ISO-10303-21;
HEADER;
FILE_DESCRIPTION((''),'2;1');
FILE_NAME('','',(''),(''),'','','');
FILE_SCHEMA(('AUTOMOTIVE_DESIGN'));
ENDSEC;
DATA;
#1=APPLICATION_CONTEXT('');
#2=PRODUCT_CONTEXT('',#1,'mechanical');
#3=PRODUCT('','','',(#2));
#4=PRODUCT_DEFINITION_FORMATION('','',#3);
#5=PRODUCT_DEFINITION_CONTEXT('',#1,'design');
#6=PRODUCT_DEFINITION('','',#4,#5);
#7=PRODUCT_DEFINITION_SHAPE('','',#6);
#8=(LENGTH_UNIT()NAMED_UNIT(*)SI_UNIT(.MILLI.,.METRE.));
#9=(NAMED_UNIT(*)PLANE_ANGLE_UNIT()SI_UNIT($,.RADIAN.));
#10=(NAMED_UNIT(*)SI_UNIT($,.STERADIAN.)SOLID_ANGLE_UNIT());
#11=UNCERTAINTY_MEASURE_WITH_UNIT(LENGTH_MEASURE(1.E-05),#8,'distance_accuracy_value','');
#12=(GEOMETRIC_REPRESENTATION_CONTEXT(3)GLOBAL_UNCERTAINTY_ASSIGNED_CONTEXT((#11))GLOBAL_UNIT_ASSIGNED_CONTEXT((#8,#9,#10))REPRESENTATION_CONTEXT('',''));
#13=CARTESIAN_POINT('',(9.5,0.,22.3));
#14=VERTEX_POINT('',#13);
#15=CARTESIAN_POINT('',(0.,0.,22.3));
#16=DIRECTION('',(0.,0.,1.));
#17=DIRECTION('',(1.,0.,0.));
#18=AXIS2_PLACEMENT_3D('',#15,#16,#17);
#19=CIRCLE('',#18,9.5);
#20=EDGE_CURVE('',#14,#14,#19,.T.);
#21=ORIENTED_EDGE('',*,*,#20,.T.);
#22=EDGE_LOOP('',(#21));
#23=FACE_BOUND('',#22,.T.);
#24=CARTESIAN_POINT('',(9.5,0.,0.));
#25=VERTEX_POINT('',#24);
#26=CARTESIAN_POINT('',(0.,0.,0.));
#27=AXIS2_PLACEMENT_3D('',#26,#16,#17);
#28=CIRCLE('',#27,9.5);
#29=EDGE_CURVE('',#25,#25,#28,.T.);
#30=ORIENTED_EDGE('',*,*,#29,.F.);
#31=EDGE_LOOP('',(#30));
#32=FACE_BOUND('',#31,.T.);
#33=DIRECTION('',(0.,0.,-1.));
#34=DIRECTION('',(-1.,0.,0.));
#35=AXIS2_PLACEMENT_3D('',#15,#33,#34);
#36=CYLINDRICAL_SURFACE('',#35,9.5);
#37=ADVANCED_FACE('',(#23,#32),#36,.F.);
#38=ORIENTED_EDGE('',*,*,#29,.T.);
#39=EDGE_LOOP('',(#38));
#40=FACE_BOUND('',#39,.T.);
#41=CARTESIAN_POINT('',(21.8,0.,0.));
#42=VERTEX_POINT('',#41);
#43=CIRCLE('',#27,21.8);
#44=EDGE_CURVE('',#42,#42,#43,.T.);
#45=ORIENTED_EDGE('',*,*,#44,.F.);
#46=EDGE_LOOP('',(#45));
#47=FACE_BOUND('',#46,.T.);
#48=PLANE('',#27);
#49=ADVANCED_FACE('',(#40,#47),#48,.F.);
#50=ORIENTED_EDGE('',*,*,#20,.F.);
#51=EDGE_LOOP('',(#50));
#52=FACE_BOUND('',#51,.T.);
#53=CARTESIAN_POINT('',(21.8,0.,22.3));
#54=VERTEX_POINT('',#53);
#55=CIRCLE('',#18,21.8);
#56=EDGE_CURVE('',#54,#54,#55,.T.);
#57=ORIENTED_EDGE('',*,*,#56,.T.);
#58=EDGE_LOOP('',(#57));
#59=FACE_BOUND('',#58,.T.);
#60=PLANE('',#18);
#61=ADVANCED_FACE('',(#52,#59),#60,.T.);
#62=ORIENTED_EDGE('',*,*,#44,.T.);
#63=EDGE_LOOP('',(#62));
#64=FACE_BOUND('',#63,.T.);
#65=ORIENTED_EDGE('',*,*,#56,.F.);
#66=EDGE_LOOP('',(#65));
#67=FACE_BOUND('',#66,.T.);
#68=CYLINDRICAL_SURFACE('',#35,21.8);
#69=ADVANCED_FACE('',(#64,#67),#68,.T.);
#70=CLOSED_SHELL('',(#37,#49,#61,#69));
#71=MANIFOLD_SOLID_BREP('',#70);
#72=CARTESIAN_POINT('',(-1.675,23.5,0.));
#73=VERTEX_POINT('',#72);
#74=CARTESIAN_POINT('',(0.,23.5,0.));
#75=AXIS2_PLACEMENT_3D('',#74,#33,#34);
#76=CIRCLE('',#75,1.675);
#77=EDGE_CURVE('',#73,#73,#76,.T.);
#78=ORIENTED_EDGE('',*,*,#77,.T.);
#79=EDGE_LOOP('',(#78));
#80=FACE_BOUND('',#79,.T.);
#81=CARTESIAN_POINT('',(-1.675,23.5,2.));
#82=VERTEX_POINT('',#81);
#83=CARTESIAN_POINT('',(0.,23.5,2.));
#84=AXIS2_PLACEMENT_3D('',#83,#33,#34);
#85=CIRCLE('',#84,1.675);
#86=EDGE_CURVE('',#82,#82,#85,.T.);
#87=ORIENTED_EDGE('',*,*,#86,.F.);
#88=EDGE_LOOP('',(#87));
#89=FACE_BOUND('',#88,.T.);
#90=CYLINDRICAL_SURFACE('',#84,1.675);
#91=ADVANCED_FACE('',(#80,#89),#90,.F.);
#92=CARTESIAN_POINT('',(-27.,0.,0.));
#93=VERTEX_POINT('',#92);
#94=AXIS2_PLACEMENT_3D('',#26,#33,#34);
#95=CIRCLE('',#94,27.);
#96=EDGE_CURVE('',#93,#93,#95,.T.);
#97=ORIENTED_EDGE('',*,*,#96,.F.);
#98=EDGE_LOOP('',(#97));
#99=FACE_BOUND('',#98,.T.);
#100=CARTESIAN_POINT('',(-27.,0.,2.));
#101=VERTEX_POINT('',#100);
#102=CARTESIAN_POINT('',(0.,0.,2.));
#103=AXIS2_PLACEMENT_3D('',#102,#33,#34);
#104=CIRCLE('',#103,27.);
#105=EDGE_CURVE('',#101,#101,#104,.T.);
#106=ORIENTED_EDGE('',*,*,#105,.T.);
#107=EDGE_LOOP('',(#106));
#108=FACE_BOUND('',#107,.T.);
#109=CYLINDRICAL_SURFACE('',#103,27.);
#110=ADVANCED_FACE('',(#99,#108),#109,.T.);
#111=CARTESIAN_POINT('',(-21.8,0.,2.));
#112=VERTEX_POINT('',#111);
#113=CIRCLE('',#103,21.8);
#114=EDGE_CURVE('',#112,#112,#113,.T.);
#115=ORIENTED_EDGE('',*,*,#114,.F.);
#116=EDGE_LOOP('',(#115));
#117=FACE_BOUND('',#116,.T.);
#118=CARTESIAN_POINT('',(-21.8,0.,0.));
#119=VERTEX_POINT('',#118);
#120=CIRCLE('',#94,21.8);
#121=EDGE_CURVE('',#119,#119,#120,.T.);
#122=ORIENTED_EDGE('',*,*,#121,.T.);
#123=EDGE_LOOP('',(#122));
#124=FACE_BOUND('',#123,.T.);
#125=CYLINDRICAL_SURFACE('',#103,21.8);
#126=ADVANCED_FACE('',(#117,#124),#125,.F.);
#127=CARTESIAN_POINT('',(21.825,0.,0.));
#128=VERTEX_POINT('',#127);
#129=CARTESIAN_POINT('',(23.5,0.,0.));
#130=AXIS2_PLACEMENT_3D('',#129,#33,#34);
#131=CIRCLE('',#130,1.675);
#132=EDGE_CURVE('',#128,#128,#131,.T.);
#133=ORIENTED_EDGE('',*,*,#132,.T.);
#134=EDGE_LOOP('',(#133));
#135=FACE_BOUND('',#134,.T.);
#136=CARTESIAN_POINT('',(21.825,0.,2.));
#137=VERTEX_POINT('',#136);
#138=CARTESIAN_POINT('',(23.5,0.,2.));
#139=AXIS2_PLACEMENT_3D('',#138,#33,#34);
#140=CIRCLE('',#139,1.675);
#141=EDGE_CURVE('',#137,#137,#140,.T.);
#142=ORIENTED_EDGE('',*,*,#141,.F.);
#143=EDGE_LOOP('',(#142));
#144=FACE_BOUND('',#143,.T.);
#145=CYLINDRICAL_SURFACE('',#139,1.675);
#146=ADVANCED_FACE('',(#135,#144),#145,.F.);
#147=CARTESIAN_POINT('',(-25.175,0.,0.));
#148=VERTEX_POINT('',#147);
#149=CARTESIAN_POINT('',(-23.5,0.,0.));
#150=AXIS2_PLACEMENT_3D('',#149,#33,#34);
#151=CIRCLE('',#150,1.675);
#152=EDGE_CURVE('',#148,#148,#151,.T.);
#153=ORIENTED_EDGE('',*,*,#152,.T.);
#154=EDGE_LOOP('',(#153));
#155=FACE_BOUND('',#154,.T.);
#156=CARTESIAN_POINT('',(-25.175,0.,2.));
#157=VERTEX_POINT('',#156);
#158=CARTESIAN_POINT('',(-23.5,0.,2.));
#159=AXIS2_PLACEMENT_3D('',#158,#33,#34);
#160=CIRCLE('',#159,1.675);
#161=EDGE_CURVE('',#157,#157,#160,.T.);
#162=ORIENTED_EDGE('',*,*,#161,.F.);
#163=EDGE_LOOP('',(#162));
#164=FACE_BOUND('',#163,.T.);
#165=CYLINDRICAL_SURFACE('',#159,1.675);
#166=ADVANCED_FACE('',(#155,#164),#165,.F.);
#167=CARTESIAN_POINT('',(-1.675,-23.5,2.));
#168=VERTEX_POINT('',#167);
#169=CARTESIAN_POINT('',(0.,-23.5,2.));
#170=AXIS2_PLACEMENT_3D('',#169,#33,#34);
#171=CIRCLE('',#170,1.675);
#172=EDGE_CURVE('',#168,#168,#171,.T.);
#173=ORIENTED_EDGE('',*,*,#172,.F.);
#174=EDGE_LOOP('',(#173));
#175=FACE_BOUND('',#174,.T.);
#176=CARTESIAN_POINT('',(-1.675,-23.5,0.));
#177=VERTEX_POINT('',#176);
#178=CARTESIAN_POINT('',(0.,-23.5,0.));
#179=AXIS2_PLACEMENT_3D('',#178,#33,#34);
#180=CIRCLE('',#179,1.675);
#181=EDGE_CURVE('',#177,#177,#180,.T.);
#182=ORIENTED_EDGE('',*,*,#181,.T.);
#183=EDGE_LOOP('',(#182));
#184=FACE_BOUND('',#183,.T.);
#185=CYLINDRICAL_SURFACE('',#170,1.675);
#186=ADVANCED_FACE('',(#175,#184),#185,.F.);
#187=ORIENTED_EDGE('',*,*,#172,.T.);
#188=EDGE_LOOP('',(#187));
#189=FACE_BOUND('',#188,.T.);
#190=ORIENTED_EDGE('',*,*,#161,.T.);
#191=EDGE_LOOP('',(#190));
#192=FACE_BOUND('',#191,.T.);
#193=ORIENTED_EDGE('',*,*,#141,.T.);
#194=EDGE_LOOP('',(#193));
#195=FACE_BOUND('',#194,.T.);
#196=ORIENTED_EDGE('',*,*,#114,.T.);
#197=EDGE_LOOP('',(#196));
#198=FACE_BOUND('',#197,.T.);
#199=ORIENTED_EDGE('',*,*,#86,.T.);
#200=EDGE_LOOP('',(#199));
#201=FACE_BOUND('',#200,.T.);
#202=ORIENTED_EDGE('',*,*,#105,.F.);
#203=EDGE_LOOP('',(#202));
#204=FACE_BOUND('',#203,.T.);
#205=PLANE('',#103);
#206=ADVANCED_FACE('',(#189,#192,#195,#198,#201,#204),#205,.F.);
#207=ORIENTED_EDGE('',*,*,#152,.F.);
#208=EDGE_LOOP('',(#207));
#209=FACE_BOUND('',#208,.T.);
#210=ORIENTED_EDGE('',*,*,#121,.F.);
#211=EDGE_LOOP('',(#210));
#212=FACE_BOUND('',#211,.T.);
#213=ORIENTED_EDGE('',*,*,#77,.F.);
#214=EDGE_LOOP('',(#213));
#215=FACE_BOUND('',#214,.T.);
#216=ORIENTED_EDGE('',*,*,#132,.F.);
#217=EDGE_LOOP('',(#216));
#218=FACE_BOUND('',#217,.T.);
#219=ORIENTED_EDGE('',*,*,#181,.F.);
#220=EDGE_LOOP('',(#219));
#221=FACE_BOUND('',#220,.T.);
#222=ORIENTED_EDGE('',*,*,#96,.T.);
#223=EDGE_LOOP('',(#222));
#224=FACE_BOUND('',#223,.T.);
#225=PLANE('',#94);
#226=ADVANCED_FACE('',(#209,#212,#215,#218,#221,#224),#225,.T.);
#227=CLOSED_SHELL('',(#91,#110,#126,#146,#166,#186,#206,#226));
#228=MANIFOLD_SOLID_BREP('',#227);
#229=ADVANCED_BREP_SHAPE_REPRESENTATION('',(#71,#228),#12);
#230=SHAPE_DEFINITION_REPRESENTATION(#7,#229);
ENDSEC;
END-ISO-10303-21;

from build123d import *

# Parameters (mm, degrees)
SKETCH_1_R      = 21.8
SKETCH_1_R_2    = 9.5
EXTRUDE_1_DEPTH = 22.3
SKETCH_2_R      = 27
SKETCH_2_R_2    = 21.8
SKETCH_2_R_3    = 1.675
EXTRUDE_2_DEPTH = 2


with BuildPart() as part:
    # 草圖1 → 填料-伸長1 (new body)
    with BuildSketch(Plane.XY):
        Circle(SKETCH_1_R)
        Circle(SKETCH_1_R_2, mode=Mode.SUBTRACT)
    extrude(amount=EXTRUDE_1_DEPTH)


with BuildPart() as body_2:
    # 草圖2 → 填料-伸長2 (new body)
    with BuildSketch(Plane(origin=(0, 0, 0), x_dir=(-1, 0, 0), z_dir=(0, 0, -1))):
        Circle(SKETCH_2_R)
        Circle(SKETCH_2_R_2, mode=Mode.SUBTRACT)
        with Locations((0, 23.5)):
            Circle(SKETCH_2_R_3, mode=Mode.SUBTRACT)
        with Locations((0, -23.5)):
            Circle(SKETCH_2_R_3, mode=Mode.SUBTRACT)
        with Locations((23.5, 0)):
            Circle(SKETCH_2_R_3, mode=Mode.SUBTRACT)
        with Locations((-23.5, 0)):
            Circle(SKETCH_2_R_3, mode=Mode.SUBTRACT)
    extrude(amount=-EXTRUDE_2_DEPTH)


solid = Compound([part.part, body_2.part])
